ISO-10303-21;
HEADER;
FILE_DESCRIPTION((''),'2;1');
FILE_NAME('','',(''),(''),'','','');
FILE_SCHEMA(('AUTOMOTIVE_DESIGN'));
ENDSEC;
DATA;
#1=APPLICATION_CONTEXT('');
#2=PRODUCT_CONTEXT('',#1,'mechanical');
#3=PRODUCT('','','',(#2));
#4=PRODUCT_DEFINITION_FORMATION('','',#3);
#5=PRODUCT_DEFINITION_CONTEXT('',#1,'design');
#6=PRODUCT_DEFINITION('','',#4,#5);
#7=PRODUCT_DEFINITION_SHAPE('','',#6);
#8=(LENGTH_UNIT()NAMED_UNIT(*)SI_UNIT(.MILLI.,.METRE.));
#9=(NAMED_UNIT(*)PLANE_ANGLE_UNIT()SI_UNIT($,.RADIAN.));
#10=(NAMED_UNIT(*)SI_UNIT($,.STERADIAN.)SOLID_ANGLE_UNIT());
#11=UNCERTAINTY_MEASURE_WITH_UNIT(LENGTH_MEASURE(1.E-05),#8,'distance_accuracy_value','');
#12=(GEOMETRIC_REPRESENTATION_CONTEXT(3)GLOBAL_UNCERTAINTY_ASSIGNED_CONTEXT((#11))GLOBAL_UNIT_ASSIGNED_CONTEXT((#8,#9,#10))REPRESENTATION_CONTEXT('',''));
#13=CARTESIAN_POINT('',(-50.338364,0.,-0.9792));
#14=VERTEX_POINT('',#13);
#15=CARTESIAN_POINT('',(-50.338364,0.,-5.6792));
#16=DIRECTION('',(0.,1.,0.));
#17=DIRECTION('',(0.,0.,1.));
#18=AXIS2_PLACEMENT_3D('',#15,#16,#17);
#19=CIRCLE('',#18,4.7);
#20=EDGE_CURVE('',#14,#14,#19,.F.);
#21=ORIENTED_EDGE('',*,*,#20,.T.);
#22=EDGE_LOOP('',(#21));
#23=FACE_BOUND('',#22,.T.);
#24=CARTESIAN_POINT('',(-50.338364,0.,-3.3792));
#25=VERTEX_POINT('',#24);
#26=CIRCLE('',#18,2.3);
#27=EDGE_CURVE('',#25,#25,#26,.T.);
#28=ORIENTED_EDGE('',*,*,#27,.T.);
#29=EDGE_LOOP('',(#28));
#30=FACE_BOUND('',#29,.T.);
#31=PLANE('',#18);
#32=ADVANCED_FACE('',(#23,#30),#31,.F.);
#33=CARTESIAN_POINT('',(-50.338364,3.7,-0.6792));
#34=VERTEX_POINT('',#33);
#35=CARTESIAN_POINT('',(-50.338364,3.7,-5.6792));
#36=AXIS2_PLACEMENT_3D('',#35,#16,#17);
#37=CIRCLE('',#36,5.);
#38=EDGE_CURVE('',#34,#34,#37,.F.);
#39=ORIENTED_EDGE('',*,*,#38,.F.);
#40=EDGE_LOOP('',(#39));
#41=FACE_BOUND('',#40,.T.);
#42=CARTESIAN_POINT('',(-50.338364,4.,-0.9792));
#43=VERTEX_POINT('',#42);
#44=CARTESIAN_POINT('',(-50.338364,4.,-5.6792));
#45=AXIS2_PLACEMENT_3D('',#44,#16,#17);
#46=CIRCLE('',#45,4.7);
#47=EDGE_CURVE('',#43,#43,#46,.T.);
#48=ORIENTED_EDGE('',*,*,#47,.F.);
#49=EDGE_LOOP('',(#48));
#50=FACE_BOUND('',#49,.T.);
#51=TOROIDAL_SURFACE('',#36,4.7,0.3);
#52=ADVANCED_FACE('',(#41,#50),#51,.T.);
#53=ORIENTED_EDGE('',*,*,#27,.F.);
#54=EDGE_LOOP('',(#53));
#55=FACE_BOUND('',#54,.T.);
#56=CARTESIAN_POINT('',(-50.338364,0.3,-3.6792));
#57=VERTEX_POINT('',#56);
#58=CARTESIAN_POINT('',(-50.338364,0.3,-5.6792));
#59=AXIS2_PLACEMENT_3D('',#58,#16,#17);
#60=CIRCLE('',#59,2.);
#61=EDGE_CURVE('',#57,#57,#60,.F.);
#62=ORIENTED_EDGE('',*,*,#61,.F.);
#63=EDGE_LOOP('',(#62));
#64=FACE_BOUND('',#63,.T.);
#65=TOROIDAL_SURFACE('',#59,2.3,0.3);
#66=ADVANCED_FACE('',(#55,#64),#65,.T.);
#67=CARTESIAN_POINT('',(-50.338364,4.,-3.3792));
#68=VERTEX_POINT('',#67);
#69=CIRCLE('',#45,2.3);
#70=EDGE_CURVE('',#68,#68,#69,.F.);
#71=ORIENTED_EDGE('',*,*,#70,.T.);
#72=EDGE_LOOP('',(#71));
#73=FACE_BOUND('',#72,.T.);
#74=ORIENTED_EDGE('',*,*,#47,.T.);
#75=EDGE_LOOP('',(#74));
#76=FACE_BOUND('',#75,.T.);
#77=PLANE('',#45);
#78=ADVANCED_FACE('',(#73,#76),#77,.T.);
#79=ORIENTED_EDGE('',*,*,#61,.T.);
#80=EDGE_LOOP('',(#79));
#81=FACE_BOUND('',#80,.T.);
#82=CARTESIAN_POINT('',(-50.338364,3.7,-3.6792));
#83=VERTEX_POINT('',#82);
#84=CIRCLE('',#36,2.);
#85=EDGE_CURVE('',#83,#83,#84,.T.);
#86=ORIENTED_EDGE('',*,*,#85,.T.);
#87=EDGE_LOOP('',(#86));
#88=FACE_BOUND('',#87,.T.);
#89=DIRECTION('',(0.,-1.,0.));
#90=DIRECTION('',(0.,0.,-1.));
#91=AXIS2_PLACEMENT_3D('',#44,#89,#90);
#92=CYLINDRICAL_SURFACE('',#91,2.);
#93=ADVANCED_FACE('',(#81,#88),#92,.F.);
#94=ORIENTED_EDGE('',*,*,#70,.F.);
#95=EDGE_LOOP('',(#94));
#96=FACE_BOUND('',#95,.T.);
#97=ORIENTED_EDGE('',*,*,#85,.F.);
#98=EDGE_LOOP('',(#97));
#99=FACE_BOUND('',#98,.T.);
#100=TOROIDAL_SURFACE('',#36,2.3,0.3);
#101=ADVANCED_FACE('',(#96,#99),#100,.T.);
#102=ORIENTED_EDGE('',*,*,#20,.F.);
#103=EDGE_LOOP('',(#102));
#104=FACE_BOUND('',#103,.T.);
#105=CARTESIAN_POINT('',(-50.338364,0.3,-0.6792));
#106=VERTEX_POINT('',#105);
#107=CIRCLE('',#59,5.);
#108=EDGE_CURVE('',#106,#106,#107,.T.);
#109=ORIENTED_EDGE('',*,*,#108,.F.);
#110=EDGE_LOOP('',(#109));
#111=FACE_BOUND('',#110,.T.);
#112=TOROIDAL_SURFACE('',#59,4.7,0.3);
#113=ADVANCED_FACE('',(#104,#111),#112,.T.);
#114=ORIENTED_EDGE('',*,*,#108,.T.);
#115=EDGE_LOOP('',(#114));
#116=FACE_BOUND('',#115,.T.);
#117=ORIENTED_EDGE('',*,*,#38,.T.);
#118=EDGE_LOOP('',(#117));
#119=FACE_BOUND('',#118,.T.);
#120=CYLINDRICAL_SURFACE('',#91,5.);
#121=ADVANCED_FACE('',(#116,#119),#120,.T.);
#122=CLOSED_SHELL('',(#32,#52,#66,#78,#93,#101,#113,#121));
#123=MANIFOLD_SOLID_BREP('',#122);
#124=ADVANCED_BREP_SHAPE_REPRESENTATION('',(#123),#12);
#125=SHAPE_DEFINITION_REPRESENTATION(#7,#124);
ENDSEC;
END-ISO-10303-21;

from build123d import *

# Parameters (mm, degrees)
SKETCH1_R           = 5
SKETCH1_R_2         = 2
BOSS_EXTRUDE1_DEPTH = 4
FILLET1_R           = 0.3


with BuildPart() as part:
    # Sketch1 → Boss-Extrude1 (new body)
    with BuildSketch(Plane(origin=(0, 0, 0), x_dir=(1, 0, 0), z_dir=(0, 1, 0))):
        with Locations(Location((-50.338364472, 5.679200094, 0), (0, 0, 270))):
            Circle(SKETCH1_R)
        with Locations(Location((-50.338364472, 5.679200094, 0), (0, 0, 270))):
            Circle(SKETCH1_R_2, mode=Mode.SUBTRACT)
    extrude(amount=BOSS_EXTRUDE1_DEPTH)

    # Fillet1
    fillet1_edges = [part.edges().sort_by_distance(p)[0] for p in [
        (-50.338364472, 0, -10.679200094),
        (-50.338364472, 4, -10.679200094),
        (-50.338364472, 0, -7.679200094),
        (-50.338364472, 4, -7.679200094),
    ]]
    fillet(fillet1_edges, radius=FILLET1_R)


solid = part.part
